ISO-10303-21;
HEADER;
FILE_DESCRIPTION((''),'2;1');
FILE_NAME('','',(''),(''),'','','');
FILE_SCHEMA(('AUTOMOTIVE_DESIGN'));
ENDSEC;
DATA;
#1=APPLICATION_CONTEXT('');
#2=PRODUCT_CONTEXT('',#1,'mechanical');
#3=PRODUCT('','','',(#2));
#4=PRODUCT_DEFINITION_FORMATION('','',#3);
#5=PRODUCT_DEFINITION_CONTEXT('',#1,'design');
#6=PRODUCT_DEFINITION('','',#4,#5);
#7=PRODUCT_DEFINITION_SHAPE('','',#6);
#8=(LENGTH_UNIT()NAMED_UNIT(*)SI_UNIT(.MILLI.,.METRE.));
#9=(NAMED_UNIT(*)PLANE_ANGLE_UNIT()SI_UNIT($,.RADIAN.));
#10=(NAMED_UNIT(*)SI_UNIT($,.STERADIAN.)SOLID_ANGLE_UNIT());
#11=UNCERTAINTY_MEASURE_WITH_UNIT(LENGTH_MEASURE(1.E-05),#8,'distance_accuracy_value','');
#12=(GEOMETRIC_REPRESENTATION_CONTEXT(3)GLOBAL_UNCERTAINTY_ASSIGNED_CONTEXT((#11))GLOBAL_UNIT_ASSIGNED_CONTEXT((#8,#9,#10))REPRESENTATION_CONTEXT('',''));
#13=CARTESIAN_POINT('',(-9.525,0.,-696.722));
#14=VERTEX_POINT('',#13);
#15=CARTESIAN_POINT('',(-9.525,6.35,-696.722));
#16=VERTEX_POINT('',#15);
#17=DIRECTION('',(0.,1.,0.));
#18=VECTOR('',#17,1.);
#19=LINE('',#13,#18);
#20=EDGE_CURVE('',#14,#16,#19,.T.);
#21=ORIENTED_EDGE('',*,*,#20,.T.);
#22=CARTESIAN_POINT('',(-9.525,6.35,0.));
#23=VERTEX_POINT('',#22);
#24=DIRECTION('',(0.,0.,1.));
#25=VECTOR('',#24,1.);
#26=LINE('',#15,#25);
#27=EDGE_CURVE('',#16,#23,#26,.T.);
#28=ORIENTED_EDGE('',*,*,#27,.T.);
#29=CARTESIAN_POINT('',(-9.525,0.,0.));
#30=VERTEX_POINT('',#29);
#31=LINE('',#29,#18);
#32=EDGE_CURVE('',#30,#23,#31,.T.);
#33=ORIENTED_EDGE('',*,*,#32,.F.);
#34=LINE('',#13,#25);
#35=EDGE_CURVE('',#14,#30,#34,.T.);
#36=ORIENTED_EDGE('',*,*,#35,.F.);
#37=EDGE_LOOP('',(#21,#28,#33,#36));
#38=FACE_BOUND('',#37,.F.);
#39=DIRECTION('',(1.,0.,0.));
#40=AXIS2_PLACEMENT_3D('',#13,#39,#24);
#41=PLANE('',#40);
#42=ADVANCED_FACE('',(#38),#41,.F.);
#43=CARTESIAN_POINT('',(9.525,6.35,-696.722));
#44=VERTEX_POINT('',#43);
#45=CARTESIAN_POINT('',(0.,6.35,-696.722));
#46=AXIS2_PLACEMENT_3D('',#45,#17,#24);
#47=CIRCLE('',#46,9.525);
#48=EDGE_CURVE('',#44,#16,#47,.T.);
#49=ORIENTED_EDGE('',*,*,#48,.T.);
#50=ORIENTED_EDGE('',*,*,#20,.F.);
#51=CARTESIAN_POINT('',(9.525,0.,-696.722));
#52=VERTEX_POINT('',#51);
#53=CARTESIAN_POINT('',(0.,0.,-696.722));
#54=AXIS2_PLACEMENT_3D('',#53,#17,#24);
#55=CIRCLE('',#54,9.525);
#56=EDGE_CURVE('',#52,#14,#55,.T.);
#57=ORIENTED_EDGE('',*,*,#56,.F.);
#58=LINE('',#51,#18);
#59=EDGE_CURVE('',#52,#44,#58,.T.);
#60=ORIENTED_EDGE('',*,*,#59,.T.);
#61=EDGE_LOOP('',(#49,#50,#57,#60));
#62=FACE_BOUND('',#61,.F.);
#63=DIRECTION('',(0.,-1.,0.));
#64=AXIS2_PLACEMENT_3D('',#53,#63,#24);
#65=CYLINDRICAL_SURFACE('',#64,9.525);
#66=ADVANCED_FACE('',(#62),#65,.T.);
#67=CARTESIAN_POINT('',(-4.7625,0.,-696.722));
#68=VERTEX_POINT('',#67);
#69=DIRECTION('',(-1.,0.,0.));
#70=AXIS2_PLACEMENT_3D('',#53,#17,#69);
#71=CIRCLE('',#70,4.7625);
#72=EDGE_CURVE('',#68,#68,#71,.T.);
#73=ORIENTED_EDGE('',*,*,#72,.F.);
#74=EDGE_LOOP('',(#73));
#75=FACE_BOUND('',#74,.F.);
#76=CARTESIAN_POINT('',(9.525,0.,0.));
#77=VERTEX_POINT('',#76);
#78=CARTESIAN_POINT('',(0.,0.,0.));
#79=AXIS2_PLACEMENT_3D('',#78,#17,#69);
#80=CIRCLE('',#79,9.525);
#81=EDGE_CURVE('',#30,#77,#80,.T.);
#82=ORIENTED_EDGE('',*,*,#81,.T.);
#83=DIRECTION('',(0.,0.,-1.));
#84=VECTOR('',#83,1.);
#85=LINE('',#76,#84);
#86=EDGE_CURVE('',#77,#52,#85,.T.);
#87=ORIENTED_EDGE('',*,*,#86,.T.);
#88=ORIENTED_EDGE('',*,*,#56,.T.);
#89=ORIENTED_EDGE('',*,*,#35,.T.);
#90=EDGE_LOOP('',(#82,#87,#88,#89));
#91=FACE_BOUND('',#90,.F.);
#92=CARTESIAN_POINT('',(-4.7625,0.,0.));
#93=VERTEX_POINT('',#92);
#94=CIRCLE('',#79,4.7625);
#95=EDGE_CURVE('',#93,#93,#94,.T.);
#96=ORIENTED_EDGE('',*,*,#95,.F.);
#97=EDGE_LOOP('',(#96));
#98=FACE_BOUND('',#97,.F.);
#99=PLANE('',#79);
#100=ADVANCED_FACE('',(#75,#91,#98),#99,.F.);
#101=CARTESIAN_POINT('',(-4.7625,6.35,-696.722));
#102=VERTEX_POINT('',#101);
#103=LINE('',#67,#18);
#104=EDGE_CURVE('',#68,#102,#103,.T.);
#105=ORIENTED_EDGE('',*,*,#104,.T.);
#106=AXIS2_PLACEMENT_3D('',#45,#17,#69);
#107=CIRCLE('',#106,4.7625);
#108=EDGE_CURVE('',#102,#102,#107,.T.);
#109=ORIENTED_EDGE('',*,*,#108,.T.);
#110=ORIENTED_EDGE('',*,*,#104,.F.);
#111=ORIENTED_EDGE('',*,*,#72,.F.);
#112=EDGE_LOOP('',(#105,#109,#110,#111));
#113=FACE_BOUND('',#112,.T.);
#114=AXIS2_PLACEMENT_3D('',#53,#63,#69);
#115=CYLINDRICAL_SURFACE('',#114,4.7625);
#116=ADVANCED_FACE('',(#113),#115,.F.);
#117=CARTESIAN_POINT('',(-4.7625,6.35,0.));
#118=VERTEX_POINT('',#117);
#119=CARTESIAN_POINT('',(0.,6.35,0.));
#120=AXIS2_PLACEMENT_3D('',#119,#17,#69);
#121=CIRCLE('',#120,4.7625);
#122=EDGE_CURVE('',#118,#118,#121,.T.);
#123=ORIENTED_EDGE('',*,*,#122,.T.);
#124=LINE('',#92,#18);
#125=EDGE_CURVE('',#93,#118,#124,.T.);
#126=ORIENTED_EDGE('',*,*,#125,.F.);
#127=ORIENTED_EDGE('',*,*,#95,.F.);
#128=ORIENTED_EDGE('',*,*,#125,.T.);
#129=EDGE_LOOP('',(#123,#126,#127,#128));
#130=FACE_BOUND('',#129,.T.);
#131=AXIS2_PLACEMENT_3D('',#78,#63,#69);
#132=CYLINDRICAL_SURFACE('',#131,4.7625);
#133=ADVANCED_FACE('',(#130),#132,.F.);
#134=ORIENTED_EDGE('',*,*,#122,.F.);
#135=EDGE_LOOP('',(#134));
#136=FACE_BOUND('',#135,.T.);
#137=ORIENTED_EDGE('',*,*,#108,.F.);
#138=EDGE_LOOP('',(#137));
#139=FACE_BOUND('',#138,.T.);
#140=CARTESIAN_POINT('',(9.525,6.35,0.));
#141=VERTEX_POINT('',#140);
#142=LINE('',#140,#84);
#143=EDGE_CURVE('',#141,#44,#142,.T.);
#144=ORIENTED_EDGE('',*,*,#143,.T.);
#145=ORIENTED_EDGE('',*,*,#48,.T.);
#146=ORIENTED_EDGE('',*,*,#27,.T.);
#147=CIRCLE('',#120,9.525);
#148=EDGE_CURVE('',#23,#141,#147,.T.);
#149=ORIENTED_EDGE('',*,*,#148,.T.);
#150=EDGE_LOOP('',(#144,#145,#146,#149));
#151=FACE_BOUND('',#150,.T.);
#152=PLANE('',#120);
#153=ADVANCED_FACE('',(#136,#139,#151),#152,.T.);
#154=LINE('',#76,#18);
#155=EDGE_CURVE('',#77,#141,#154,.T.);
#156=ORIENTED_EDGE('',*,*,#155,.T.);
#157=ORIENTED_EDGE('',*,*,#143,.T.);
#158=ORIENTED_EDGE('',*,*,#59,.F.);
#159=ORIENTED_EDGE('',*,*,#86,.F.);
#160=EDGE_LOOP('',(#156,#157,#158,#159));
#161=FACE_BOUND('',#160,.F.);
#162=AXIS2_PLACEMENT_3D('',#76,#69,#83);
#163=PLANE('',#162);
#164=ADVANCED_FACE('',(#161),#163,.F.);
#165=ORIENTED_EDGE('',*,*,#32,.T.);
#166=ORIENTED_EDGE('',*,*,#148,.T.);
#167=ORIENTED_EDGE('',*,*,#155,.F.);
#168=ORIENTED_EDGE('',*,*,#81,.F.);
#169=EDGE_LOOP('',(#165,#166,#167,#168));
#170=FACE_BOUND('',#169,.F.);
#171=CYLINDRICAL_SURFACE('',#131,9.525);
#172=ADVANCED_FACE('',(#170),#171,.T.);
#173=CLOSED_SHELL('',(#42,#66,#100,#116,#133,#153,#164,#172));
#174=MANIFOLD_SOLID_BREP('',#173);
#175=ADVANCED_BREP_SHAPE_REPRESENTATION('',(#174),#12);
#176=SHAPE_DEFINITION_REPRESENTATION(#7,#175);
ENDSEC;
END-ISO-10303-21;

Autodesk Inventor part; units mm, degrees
ref_plane "YZ Plane" through (0, 0, 0) normal (1, 0, 0) x (0, 1, 0)
ref_plane "XZ Plane" through (0, 0, 0) normal (0, 1, 0) x (-1, 0, 0)
ref_plane "XY Plane" through (0, 0, 0) normal (0, 0, 1) x (1, 0, 0)
sketch "Sketch1" plane through (0, 0, 0) normal (0, 1, 0) x (-1, 0, 0)
  arc A0 (9.525, 0) -> (0, -9.525) centre (0, 0) ccw
  line L0 (0, 0) -> (0, -696.722) construction
  arc A1 (0, -687.197) -> (9.525, -696.722) centre (0, -696.722) ccw
  line L1 (9.525, -696.722) -> (9.525, 0)
  line L2 (-9.525, 0) -> (-9.525, -696.722)
  circle A2 centre (0, -696.722) radius 4.7625
  circle A3 centre (0, 0) radius 4.7625
  dimension "d0" = 19.05
  dimension "d2" = 19.05
  dimension "d3" = 9.525
  dimension "d4" = 9.525
  dimension "d10" = 696.722
extrude "Extrusion2" add sketch "Sketch1" along normal blind 6.35
properties part number "steeringlinkage" material "Steel, Mild"
